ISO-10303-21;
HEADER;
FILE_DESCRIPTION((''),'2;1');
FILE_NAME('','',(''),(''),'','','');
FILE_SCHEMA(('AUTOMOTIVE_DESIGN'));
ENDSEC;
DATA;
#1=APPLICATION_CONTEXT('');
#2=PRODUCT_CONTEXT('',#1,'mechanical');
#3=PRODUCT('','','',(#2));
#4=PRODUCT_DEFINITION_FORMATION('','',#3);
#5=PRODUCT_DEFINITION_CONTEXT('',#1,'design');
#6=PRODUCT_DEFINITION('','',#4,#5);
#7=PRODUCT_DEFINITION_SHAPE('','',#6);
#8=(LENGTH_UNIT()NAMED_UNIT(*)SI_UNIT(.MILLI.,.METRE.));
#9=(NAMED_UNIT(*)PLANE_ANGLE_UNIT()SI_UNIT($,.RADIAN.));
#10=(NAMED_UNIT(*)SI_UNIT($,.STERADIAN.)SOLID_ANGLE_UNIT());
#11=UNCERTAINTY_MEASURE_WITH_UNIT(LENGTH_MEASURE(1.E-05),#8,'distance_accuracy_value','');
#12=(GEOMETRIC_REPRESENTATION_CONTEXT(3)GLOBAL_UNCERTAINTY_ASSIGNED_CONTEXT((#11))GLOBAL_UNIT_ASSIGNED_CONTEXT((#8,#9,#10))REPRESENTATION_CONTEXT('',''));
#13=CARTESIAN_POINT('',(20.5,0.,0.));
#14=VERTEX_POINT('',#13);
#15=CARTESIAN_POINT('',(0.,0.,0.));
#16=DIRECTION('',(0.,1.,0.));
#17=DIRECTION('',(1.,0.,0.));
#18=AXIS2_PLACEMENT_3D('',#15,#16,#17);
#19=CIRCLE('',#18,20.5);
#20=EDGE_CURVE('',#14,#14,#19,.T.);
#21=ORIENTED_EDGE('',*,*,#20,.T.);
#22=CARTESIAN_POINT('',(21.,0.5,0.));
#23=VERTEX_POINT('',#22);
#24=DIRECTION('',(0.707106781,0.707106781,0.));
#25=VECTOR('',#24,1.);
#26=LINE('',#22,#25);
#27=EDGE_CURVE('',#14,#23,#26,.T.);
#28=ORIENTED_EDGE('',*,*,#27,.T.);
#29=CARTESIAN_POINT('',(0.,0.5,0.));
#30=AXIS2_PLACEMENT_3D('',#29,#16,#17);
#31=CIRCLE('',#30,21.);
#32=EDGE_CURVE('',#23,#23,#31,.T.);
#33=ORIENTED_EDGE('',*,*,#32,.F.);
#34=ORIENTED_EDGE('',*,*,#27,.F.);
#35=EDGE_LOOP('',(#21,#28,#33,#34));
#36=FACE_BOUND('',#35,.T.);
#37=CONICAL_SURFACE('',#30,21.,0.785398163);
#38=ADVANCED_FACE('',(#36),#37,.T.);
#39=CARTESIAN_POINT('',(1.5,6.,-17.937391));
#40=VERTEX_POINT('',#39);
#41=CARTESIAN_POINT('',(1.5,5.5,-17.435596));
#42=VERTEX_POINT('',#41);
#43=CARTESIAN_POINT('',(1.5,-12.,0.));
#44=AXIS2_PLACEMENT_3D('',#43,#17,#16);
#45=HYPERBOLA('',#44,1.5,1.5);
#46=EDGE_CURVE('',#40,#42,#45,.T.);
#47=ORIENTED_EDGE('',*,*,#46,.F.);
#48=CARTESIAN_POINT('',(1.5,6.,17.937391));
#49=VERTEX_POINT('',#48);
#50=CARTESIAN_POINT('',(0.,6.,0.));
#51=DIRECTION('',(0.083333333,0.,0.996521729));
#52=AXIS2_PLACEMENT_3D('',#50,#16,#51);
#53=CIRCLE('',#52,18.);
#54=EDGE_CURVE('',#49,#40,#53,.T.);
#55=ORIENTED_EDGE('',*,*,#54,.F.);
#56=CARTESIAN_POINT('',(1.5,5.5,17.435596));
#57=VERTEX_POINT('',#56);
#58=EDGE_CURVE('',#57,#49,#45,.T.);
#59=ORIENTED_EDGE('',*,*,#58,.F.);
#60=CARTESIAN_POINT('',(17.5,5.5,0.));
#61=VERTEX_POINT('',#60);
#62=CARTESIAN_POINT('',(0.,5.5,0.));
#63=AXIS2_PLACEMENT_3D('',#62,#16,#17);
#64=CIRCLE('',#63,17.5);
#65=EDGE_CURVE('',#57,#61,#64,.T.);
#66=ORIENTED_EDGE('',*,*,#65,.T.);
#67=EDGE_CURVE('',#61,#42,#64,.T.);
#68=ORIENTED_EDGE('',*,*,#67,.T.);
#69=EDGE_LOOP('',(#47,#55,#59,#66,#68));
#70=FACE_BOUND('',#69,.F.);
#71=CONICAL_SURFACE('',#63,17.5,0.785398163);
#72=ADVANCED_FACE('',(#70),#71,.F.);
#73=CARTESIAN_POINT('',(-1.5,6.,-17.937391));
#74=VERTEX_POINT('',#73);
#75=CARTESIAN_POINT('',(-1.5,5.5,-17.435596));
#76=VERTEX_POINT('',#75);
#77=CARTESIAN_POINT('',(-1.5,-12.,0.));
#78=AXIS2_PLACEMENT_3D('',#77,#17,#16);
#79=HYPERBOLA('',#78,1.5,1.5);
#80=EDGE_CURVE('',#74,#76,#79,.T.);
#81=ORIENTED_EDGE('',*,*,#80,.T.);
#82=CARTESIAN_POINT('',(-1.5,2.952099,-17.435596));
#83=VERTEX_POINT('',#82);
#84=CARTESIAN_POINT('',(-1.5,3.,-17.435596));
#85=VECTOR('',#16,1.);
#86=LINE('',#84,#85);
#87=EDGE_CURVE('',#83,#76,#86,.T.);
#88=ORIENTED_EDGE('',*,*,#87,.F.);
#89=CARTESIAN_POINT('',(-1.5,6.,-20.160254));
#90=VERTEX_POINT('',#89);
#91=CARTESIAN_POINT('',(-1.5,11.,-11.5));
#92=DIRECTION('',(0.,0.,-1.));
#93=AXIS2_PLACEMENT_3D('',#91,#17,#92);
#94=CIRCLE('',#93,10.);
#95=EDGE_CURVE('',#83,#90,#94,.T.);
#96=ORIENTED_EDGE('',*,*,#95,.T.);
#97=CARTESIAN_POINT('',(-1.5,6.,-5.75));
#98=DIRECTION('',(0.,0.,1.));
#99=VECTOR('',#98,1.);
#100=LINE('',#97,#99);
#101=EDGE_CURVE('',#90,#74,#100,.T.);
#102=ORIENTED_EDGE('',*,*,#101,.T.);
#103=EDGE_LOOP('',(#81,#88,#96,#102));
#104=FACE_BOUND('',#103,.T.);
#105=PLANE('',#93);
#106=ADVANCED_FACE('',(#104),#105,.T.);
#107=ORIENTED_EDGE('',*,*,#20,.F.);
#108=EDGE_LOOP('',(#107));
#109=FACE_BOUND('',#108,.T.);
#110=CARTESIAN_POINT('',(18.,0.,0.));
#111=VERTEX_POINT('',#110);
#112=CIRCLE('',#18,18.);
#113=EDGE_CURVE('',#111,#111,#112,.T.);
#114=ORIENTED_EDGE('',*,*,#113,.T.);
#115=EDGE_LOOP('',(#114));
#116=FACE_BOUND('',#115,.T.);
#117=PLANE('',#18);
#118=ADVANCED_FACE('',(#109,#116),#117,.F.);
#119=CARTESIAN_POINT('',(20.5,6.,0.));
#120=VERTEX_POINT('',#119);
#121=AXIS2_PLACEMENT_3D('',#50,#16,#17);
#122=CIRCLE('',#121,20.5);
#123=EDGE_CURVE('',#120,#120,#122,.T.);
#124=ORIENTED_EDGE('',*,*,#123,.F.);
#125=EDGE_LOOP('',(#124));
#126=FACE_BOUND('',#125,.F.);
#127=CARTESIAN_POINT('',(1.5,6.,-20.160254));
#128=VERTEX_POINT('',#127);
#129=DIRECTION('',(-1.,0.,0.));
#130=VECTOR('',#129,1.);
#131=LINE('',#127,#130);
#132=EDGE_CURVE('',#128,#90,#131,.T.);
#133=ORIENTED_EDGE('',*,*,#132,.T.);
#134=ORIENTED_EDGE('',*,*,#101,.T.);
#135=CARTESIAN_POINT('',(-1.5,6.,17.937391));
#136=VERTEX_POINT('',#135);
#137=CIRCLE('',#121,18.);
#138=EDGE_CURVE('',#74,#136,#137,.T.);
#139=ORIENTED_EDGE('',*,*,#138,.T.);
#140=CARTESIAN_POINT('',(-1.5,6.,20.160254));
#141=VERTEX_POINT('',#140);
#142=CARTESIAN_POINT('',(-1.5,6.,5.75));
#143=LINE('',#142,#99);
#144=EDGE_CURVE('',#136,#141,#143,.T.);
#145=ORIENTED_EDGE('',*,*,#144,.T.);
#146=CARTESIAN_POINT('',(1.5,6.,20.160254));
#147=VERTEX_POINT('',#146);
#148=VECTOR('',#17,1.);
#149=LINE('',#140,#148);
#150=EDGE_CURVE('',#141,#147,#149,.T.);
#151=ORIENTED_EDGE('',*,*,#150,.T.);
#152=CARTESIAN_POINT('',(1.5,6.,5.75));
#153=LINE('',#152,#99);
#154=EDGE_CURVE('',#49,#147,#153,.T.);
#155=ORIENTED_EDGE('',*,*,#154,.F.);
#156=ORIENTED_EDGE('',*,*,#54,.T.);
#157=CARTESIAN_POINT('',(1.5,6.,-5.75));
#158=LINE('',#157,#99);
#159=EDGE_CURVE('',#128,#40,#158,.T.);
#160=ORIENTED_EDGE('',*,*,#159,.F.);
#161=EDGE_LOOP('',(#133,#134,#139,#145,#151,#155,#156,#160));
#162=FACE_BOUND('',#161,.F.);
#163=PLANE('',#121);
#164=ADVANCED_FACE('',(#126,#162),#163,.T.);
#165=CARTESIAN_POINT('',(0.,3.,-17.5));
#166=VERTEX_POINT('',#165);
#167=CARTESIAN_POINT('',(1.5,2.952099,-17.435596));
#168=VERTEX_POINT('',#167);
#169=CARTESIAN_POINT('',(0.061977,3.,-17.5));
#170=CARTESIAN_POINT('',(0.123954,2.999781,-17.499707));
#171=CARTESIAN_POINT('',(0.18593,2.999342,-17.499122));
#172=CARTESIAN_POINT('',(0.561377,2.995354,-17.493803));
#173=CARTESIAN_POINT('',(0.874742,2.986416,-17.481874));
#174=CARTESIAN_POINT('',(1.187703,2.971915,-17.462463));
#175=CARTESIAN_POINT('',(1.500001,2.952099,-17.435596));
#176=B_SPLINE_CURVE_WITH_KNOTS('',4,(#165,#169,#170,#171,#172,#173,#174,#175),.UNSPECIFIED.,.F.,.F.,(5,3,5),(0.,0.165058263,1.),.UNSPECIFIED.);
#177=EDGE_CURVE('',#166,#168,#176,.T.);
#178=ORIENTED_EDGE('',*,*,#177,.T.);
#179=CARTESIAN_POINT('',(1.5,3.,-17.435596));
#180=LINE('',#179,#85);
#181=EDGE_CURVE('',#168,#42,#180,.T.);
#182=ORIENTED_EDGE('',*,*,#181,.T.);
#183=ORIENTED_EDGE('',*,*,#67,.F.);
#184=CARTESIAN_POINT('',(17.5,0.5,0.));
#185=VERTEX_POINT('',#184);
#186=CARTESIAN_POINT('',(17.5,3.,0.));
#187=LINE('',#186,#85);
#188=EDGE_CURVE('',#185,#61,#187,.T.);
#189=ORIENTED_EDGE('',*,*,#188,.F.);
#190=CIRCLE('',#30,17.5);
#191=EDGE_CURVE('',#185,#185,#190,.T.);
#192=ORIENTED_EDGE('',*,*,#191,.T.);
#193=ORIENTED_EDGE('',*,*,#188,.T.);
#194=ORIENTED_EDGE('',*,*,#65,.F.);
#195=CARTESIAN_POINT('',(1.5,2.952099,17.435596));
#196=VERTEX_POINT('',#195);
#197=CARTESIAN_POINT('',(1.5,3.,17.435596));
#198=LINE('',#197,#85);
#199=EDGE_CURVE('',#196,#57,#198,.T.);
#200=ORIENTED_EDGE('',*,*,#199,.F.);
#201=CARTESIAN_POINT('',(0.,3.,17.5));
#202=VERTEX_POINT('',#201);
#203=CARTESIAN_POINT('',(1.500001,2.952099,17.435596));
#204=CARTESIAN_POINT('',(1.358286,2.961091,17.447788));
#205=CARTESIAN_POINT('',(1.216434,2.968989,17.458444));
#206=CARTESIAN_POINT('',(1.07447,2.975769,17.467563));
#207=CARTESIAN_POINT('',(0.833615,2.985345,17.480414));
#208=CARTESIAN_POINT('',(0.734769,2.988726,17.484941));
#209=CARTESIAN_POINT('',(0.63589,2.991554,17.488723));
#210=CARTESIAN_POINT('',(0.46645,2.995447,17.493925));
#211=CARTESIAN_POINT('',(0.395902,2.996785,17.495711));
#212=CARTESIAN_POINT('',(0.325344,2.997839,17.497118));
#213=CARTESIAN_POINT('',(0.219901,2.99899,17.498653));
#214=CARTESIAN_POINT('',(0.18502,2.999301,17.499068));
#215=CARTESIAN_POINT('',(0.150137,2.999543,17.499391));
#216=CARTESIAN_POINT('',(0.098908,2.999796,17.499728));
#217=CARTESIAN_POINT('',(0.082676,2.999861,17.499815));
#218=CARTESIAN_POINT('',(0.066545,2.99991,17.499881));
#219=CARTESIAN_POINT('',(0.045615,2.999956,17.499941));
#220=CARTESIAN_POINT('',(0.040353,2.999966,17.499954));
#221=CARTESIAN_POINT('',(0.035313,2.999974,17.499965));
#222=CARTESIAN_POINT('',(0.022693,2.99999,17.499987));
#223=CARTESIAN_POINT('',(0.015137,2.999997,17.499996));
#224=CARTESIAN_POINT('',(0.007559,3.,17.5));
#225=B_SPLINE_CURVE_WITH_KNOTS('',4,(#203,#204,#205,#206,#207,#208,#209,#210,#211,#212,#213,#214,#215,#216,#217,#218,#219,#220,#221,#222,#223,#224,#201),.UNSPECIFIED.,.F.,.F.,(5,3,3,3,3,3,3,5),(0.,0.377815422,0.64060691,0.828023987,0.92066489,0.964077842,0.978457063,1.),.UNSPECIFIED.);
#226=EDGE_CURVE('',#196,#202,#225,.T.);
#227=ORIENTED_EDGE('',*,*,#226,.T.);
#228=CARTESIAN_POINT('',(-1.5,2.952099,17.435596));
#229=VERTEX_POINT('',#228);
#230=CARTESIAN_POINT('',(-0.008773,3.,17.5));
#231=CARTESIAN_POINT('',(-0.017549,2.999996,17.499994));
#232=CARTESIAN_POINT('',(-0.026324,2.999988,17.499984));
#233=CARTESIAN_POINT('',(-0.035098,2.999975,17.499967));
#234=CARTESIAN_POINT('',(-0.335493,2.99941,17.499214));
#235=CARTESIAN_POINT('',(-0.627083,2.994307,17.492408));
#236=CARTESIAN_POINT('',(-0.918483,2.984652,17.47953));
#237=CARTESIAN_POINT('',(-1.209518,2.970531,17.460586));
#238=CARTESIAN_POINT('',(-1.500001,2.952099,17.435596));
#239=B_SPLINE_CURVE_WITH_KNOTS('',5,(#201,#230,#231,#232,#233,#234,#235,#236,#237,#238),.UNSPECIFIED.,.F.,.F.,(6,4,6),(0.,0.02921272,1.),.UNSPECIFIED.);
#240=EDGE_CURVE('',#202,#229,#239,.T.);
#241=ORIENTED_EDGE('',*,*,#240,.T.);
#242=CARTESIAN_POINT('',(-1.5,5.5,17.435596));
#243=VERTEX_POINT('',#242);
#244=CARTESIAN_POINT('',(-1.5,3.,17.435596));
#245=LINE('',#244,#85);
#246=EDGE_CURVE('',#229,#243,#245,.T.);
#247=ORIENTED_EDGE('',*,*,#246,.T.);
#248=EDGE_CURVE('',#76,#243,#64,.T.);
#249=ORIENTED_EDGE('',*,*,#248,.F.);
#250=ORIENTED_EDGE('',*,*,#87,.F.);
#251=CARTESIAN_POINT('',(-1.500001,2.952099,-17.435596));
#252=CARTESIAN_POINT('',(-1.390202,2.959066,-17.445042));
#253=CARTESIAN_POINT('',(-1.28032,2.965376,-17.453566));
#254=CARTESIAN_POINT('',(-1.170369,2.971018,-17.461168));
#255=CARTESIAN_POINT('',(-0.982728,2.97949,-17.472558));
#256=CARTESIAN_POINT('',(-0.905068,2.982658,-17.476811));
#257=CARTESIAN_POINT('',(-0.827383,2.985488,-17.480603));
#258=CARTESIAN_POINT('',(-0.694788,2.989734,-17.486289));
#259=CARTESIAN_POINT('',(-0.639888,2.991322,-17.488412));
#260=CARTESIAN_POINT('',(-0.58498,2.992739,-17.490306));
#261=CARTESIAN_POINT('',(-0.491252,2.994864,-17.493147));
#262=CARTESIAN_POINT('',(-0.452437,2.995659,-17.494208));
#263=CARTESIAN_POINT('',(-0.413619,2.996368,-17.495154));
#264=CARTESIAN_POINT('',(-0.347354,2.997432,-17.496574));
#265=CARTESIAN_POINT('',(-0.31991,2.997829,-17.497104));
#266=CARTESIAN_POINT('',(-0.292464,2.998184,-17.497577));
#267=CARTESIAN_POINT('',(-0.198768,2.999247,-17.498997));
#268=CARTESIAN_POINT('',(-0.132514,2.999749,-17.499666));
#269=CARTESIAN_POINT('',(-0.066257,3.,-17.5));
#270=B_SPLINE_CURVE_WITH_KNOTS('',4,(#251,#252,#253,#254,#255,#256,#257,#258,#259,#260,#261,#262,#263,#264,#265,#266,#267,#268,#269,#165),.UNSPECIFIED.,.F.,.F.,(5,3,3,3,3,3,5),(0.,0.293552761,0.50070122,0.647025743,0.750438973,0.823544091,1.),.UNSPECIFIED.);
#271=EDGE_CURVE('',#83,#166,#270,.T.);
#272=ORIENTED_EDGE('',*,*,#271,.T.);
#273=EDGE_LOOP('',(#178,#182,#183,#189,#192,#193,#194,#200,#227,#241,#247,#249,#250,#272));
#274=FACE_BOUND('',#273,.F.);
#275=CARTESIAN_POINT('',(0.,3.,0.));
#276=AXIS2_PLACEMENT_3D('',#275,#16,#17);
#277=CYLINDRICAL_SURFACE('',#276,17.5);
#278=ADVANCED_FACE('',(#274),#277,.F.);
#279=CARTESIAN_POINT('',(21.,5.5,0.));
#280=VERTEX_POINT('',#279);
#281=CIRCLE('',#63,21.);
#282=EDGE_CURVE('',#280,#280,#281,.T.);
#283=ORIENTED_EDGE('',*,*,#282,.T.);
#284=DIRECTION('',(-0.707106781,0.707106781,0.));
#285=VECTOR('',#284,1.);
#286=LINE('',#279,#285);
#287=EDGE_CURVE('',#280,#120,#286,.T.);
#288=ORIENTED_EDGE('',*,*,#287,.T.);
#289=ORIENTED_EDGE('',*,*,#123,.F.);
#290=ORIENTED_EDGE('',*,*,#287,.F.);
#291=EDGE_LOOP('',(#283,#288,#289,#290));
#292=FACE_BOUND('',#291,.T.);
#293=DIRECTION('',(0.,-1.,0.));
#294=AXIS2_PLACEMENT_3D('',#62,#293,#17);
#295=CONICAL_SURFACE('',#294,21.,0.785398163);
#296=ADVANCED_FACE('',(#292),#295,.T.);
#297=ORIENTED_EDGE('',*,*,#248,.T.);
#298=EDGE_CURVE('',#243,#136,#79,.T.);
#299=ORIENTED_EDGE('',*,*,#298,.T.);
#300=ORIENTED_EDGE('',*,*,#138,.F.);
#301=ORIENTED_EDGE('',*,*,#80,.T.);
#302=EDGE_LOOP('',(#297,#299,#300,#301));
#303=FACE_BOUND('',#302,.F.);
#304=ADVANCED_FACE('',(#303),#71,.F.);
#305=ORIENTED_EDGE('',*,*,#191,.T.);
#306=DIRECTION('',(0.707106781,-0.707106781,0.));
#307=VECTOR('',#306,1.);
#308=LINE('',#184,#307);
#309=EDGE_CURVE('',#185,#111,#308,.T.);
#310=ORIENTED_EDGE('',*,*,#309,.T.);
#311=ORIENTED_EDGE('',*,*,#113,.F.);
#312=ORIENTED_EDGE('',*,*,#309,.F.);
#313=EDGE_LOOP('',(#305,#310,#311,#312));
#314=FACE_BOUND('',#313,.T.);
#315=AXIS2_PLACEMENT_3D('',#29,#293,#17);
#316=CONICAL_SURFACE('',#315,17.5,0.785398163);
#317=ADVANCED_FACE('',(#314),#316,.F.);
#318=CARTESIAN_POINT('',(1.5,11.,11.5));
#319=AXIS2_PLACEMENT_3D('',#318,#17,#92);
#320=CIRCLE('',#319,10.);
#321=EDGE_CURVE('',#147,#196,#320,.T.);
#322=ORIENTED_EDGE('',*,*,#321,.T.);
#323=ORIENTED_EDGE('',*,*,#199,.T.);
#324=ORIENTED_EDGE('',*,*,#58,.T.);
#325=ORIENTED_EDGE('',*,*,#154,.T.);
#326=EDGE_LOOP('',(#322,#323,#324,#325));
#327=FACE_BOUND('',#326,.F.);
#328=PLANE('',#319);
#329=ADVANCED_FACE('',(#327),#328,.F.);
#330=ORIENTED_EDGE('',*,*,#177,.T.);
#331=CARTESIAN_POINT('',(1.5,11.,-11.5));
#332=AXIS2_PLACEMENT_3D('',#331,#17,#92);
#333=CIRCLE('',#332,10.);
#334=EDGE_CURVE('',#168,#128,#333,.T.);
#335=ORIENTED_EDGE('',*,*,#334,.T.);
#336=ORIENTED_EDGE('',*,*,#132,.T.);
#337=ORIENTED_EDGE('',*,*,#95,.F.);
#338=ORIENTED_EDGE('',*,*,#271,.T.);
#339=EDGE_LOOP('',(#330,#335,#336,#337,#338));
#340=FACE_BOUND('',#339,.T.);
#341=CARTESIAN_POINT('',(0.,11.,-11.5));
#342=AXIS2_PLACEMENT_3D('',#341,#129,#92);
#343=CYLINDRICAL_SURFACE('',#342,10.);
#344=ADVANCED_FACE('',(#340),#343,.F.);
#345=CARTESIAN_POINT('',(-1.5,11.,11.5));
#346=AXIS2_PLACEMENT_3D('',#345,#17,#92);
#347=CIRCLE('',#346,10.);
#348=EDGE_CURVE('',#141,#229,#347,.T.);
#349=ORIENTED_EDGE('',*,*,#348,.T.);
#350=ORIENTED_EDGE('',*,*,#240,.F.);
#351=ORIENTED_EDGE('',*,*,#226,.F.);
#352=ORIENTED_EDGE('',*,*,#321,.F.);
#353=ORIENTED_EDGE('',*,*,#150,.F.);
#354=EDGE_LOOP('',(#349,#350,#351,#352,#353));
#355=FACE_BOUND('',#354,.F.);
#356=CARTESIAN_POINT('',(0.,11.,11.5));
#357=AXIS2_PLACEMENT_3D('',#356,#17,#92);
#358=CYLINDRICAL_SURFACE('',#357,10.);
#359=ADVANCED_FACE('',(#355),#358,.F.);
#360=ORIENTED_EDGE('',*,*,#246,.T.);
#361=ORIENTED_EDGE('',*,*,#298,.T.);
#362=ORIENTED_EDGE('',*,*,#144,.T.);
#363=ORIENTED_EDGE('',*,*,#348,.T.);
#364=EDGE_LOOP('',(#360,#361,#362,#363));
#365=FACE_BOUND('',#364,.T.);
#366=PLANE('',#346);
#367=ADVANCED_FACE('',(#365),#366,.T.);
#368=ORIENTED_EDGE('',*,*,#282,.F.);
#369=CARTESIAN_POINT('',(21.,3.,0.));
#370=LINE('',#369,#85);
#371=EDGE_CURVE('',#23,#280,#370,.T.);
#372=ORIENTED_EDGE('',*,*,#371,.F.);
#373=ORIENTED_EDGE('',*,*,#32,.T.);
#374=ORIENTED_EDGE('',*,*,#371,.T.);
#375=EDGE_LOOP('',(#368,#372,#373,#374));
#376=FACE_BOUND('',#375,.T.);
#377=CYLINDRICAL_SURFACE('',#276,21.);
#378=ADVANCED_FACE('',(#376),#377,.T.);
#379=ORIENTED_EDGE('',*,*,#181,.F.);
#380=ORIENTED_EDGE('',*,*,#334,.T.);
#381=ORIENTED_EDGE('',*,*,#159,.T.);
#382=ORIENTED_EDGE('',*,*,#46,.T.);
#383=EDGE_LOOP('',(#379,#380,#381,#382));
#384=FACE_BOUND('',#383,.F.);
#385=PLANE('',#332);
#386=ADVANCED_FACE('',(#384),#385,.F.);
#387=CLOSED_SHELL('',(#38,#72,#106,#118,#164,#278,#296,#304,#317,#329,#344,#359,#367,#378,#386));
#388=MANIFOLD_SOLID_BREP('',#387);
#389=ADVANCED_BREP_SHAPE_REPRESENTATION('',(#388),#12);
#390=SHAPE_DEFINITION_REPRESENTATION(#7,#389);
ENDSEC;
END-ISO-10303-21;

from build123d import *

# Parameters (mm, degrees)
SKETCH_2_W               = 3.5
SKETCH_2_H               = 6
CHAMFER_1_SIZE           = 0.5
CUT_EXTRUDE_2_DEPTH      = 1.5
CUT_EXTRUDE_2_DEPTH_BACK = 1.5
SKETCH_4_R               = 10


with BuildPart() as part:
    # Эскиз2 → Повернуть1 (revolve)
    with BuildSketch(Plane.XY):
        with Locations((19.25, 3)):
            Rectangle(SKETCH_2_W, SKETCH_2_H)
    revolve(axis=Axis((0, 0, 0), (0, 1, 0)))

    # Фаска1
    chamfer_1_edges = [part.edges().sort_by_distance(p)[0] for p in [
        (-21, 6, 0),
        (-21, 0, 0),
        (-17.5, 0, 0),
        (-17.5, 6, 0),
    ]]
    chamfer(chamfer_1_edges, length=CHAMFER_1_SIZE)

    # Эскиз4 → Вырез-Вытянуть2 (cut, two sides: drawn at the far end of the back side and taken through both)
    with BuildSketch(Plane(origin=(0, 0, 0), x_dir=(0, 0, -1), z_dir=(1, 0, 0)).offset(-CUT_EXTRUDE_2_DEPTH_BACK)):
        with Locations((-11.5, 11)):
            Circle(SKETCH_4_R)
        with Locations((11.5, 11)):
            Circle(SKETCH_4_R)
    extrude(amount=CUT_EXTRUDE_2_DEPTH + CUT_EXTRUDE_2_DEPTH_BACK, mode=Mode.SUBTRACT)


solid = part.part
